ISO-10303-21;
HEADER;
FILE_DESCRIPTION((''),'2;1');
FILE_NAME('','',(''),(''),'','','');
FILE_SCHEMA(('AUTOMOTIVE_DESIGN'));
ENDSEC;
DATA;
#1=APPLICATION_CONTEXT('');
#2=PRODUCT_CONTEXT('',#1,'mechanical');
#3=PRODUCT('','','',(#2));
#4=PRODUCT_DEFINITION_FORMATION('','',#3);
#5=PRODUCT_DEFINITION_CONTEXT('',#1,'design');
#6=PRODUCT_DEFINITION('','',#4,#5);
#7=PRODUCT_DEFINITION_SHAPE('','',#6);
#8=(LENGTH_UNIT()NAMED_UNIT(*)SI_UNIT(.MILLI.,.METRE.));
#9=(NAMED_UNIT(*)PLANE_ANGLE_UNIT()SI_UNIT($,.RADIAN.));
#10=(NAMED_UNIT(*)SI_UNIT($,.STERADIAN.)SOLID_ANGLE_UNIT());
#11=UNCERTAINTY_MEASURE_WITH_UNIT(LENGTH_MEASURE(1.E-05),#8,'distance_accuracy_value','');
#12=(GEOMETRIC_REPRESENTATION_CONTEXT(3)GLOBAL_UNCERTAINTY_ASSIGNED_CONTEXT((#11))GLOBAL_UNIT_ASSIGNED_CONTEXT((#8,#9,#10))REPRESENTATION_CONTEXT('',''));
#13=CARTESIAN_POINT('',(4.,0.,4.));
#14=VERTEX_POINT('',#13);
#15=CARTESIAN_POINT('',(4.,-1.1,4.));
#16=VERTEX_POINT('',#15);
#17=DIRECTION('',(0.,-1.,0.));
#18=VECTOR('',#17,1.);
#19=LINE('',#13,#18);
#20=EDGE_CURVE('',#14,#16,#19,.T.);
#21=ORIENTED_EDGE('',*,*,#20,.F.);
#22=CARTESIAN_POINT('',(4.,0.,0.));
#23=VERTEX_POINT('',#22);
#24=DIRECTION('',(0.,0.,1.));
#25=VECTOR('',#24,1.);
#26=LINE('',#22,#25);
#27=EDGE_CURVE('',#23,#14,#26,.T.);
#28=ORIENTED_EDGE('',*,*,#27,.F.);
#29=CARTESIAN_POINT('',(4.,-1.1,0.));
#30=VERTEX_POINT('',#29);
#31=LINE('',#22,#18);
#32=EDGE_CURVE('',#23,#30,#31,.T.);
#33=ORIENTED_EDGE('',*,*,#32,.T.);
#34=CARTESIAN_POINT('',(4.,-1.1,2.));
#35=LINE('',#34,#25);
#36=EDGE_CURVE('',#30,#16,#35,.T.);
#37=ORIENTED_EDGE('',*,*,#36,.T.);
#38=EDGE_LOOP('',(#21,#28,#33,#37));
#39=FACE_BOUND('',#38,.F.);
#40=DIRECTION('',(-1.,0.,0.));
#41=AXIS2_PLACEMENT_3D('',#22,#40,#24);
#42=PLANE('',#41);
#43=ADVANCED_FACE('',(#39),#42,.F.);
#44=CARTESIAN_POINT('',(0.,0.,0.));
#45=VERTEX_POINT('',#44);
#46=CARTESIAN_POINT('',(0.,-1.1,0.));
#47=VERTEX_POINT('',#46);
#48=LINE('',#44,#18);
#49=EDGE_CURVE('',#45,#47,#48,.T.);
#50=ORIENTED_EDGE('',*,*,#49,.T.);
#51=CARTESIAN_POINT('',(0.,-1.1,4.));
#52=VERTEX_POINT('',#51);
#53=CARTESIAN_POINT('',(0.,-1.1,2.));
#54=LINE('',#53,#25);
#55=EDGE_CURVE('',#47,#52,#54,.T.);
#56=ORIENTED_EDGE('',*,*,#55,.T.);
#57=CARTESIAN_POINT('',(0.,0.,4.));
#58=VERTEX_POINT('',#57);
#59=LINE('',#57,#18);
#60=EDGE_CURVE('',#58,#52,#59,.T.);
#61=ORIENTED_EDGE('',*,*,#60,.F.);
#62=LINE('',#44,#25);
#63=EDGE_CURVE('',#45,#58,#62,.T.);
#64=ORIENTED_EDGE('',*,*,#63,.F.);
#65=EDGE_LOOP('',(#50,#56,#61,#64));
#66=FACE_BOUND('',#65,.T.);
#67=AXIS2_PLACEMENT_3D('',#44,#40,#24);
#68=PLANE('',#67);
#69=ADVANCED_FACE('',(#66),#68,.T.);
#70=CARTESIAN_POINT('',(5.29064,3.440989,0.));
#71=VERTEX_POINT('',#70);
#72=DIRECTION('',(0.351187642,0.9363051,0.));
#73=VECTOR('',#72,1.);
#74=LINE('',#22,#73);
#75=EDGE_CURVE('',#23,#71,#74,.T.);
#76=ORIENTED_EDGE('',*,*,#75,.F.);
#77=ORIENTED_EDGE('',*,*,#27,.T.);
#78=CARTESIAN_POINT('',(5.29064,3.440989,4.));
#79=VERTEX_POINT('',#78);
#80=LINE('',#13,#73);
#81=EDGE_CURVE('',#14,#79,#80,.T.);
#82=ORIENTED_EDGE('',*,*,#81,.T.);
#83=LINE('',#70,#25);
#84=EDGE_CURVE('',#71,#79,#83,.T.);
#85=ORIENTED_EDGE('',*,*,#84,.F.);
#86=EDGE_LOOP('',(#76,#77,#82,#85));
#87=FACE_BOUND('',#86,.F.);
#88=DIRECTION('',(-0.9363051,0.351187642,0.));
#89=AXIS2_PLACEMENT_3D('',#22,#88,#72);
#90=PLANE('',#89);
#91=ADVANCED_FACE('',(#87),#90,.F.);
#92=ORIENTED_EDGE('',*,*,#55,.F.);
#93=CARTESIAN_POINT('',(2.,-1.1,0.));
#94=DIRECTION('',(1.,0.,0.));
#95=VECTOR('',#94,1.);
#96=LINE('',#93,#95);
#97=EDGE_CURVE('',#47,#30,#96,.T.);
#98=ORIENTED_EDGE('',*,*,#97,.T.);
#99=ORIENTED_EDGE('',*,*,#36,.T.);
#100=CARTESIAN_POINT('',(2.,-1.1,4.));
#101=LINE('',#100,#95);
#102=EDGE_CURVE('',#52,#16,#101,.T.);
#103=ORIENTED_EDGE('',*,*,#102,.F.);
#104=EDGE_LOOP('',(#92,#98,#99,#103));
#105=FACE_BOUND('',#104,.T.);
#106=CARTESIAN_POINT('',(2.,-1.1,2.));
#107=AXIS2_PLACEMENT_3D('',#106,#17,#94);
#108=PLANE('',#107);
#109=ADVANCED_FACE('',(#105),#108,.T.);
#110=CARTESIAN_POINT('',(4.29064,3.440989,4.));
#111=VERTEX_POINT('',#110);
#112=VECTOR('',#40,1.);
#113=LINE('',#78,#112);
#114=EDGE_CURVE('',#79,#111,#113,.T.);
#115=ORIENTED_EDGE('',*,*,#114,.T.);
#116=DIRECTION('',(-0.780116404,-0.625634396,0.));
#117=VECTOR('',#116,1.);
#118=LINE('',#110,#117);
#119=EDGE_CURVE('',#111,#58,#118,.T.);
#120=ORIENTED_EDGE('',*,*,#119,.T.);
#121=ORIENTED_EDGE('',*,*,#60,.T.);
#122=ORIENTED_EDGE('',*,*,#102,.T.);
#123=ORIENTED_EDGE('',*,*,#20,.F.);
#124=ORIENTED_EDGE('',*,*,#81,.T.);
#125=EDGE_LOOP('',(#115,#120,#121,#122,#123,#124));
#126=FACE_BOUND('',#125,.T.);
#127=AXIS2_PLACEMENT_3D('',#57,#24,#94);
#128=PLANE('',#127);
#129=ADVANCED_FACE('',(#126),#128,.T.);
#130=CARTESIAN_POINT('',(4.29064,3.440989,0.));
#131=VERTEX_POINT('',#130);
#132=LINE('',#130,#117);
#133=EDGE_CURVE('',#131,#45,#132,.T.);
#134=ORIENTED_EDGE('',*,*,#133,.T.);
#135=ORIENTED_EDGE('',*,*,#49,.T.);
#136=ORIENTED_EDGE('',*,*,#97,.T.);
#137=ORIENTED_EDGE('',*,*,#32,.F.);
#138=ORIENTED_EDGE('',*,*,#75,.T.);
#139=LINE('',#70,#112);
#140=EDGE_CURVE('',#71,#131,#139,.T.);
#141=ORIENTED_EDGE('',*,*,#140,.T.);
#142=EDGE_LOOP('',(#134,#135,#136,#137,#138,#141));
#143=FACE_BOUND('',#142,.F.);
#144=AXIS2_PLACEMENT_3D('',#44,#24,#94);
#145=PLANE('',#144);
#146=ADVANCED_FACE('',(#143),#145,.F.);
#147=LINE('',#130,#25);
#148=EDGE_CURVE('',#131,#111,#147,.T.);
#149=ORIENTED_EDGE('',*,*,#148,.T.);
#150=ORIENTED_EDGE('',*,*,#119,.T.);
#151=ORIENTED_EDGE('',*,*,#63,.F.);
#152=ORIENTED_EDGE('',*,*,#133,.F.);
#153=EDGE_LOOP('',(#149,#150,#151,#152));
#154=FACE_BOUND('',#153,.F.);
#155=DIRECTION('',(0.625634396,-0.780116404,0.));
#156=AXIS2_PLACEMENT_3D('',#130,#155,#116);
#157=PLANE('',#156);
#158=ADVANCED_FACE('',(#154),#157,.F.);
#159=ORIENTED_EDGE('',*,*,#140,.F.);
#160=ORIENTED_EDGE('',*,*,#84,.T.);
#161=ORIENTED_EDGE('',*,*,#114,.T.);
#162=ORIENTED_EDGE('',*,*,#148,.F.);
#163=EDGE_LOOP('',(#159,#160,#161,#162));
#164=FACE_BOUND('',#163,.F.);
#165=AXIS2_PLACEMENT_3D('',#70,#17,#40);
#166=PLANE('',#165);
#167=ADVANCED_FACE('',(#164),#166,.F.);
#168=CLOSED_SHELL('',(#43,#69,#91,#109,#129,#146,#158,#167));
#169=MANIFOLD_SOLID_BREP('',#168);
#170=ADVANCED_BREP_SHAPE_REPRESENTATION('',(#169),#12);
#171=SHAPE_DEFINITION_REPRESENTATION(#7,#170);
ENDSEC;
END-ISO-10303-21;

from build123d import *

# Parameters (mm, degrees)
F1_DEPTH  = 4
F1_FACE_W = 4
F1_FACE_H = 4
F2_DEPTH  = 1.1


with BuildPart() as f1:
    # F0 (on Top) → F1 (new body)
    with BuildSketch(Plane.XY):
        Polygon((4.29064, 3.440989), (0, 0), (4, 0), (5.29064, 3.440989), align=None)
    extrude(amount=F1_DEPTH)

    # F1_face (on face) → F2 (join)
    with BuildSketch(Plane(origin=(2, 0, 2), x_dir=(1, 0, 0), z_dir=(0, -1, 0))):
        Rectangle(F1_FACE_W, F1_FACE_H)
    extrude(amount=F2_DEPTH)


solid = f1.part
